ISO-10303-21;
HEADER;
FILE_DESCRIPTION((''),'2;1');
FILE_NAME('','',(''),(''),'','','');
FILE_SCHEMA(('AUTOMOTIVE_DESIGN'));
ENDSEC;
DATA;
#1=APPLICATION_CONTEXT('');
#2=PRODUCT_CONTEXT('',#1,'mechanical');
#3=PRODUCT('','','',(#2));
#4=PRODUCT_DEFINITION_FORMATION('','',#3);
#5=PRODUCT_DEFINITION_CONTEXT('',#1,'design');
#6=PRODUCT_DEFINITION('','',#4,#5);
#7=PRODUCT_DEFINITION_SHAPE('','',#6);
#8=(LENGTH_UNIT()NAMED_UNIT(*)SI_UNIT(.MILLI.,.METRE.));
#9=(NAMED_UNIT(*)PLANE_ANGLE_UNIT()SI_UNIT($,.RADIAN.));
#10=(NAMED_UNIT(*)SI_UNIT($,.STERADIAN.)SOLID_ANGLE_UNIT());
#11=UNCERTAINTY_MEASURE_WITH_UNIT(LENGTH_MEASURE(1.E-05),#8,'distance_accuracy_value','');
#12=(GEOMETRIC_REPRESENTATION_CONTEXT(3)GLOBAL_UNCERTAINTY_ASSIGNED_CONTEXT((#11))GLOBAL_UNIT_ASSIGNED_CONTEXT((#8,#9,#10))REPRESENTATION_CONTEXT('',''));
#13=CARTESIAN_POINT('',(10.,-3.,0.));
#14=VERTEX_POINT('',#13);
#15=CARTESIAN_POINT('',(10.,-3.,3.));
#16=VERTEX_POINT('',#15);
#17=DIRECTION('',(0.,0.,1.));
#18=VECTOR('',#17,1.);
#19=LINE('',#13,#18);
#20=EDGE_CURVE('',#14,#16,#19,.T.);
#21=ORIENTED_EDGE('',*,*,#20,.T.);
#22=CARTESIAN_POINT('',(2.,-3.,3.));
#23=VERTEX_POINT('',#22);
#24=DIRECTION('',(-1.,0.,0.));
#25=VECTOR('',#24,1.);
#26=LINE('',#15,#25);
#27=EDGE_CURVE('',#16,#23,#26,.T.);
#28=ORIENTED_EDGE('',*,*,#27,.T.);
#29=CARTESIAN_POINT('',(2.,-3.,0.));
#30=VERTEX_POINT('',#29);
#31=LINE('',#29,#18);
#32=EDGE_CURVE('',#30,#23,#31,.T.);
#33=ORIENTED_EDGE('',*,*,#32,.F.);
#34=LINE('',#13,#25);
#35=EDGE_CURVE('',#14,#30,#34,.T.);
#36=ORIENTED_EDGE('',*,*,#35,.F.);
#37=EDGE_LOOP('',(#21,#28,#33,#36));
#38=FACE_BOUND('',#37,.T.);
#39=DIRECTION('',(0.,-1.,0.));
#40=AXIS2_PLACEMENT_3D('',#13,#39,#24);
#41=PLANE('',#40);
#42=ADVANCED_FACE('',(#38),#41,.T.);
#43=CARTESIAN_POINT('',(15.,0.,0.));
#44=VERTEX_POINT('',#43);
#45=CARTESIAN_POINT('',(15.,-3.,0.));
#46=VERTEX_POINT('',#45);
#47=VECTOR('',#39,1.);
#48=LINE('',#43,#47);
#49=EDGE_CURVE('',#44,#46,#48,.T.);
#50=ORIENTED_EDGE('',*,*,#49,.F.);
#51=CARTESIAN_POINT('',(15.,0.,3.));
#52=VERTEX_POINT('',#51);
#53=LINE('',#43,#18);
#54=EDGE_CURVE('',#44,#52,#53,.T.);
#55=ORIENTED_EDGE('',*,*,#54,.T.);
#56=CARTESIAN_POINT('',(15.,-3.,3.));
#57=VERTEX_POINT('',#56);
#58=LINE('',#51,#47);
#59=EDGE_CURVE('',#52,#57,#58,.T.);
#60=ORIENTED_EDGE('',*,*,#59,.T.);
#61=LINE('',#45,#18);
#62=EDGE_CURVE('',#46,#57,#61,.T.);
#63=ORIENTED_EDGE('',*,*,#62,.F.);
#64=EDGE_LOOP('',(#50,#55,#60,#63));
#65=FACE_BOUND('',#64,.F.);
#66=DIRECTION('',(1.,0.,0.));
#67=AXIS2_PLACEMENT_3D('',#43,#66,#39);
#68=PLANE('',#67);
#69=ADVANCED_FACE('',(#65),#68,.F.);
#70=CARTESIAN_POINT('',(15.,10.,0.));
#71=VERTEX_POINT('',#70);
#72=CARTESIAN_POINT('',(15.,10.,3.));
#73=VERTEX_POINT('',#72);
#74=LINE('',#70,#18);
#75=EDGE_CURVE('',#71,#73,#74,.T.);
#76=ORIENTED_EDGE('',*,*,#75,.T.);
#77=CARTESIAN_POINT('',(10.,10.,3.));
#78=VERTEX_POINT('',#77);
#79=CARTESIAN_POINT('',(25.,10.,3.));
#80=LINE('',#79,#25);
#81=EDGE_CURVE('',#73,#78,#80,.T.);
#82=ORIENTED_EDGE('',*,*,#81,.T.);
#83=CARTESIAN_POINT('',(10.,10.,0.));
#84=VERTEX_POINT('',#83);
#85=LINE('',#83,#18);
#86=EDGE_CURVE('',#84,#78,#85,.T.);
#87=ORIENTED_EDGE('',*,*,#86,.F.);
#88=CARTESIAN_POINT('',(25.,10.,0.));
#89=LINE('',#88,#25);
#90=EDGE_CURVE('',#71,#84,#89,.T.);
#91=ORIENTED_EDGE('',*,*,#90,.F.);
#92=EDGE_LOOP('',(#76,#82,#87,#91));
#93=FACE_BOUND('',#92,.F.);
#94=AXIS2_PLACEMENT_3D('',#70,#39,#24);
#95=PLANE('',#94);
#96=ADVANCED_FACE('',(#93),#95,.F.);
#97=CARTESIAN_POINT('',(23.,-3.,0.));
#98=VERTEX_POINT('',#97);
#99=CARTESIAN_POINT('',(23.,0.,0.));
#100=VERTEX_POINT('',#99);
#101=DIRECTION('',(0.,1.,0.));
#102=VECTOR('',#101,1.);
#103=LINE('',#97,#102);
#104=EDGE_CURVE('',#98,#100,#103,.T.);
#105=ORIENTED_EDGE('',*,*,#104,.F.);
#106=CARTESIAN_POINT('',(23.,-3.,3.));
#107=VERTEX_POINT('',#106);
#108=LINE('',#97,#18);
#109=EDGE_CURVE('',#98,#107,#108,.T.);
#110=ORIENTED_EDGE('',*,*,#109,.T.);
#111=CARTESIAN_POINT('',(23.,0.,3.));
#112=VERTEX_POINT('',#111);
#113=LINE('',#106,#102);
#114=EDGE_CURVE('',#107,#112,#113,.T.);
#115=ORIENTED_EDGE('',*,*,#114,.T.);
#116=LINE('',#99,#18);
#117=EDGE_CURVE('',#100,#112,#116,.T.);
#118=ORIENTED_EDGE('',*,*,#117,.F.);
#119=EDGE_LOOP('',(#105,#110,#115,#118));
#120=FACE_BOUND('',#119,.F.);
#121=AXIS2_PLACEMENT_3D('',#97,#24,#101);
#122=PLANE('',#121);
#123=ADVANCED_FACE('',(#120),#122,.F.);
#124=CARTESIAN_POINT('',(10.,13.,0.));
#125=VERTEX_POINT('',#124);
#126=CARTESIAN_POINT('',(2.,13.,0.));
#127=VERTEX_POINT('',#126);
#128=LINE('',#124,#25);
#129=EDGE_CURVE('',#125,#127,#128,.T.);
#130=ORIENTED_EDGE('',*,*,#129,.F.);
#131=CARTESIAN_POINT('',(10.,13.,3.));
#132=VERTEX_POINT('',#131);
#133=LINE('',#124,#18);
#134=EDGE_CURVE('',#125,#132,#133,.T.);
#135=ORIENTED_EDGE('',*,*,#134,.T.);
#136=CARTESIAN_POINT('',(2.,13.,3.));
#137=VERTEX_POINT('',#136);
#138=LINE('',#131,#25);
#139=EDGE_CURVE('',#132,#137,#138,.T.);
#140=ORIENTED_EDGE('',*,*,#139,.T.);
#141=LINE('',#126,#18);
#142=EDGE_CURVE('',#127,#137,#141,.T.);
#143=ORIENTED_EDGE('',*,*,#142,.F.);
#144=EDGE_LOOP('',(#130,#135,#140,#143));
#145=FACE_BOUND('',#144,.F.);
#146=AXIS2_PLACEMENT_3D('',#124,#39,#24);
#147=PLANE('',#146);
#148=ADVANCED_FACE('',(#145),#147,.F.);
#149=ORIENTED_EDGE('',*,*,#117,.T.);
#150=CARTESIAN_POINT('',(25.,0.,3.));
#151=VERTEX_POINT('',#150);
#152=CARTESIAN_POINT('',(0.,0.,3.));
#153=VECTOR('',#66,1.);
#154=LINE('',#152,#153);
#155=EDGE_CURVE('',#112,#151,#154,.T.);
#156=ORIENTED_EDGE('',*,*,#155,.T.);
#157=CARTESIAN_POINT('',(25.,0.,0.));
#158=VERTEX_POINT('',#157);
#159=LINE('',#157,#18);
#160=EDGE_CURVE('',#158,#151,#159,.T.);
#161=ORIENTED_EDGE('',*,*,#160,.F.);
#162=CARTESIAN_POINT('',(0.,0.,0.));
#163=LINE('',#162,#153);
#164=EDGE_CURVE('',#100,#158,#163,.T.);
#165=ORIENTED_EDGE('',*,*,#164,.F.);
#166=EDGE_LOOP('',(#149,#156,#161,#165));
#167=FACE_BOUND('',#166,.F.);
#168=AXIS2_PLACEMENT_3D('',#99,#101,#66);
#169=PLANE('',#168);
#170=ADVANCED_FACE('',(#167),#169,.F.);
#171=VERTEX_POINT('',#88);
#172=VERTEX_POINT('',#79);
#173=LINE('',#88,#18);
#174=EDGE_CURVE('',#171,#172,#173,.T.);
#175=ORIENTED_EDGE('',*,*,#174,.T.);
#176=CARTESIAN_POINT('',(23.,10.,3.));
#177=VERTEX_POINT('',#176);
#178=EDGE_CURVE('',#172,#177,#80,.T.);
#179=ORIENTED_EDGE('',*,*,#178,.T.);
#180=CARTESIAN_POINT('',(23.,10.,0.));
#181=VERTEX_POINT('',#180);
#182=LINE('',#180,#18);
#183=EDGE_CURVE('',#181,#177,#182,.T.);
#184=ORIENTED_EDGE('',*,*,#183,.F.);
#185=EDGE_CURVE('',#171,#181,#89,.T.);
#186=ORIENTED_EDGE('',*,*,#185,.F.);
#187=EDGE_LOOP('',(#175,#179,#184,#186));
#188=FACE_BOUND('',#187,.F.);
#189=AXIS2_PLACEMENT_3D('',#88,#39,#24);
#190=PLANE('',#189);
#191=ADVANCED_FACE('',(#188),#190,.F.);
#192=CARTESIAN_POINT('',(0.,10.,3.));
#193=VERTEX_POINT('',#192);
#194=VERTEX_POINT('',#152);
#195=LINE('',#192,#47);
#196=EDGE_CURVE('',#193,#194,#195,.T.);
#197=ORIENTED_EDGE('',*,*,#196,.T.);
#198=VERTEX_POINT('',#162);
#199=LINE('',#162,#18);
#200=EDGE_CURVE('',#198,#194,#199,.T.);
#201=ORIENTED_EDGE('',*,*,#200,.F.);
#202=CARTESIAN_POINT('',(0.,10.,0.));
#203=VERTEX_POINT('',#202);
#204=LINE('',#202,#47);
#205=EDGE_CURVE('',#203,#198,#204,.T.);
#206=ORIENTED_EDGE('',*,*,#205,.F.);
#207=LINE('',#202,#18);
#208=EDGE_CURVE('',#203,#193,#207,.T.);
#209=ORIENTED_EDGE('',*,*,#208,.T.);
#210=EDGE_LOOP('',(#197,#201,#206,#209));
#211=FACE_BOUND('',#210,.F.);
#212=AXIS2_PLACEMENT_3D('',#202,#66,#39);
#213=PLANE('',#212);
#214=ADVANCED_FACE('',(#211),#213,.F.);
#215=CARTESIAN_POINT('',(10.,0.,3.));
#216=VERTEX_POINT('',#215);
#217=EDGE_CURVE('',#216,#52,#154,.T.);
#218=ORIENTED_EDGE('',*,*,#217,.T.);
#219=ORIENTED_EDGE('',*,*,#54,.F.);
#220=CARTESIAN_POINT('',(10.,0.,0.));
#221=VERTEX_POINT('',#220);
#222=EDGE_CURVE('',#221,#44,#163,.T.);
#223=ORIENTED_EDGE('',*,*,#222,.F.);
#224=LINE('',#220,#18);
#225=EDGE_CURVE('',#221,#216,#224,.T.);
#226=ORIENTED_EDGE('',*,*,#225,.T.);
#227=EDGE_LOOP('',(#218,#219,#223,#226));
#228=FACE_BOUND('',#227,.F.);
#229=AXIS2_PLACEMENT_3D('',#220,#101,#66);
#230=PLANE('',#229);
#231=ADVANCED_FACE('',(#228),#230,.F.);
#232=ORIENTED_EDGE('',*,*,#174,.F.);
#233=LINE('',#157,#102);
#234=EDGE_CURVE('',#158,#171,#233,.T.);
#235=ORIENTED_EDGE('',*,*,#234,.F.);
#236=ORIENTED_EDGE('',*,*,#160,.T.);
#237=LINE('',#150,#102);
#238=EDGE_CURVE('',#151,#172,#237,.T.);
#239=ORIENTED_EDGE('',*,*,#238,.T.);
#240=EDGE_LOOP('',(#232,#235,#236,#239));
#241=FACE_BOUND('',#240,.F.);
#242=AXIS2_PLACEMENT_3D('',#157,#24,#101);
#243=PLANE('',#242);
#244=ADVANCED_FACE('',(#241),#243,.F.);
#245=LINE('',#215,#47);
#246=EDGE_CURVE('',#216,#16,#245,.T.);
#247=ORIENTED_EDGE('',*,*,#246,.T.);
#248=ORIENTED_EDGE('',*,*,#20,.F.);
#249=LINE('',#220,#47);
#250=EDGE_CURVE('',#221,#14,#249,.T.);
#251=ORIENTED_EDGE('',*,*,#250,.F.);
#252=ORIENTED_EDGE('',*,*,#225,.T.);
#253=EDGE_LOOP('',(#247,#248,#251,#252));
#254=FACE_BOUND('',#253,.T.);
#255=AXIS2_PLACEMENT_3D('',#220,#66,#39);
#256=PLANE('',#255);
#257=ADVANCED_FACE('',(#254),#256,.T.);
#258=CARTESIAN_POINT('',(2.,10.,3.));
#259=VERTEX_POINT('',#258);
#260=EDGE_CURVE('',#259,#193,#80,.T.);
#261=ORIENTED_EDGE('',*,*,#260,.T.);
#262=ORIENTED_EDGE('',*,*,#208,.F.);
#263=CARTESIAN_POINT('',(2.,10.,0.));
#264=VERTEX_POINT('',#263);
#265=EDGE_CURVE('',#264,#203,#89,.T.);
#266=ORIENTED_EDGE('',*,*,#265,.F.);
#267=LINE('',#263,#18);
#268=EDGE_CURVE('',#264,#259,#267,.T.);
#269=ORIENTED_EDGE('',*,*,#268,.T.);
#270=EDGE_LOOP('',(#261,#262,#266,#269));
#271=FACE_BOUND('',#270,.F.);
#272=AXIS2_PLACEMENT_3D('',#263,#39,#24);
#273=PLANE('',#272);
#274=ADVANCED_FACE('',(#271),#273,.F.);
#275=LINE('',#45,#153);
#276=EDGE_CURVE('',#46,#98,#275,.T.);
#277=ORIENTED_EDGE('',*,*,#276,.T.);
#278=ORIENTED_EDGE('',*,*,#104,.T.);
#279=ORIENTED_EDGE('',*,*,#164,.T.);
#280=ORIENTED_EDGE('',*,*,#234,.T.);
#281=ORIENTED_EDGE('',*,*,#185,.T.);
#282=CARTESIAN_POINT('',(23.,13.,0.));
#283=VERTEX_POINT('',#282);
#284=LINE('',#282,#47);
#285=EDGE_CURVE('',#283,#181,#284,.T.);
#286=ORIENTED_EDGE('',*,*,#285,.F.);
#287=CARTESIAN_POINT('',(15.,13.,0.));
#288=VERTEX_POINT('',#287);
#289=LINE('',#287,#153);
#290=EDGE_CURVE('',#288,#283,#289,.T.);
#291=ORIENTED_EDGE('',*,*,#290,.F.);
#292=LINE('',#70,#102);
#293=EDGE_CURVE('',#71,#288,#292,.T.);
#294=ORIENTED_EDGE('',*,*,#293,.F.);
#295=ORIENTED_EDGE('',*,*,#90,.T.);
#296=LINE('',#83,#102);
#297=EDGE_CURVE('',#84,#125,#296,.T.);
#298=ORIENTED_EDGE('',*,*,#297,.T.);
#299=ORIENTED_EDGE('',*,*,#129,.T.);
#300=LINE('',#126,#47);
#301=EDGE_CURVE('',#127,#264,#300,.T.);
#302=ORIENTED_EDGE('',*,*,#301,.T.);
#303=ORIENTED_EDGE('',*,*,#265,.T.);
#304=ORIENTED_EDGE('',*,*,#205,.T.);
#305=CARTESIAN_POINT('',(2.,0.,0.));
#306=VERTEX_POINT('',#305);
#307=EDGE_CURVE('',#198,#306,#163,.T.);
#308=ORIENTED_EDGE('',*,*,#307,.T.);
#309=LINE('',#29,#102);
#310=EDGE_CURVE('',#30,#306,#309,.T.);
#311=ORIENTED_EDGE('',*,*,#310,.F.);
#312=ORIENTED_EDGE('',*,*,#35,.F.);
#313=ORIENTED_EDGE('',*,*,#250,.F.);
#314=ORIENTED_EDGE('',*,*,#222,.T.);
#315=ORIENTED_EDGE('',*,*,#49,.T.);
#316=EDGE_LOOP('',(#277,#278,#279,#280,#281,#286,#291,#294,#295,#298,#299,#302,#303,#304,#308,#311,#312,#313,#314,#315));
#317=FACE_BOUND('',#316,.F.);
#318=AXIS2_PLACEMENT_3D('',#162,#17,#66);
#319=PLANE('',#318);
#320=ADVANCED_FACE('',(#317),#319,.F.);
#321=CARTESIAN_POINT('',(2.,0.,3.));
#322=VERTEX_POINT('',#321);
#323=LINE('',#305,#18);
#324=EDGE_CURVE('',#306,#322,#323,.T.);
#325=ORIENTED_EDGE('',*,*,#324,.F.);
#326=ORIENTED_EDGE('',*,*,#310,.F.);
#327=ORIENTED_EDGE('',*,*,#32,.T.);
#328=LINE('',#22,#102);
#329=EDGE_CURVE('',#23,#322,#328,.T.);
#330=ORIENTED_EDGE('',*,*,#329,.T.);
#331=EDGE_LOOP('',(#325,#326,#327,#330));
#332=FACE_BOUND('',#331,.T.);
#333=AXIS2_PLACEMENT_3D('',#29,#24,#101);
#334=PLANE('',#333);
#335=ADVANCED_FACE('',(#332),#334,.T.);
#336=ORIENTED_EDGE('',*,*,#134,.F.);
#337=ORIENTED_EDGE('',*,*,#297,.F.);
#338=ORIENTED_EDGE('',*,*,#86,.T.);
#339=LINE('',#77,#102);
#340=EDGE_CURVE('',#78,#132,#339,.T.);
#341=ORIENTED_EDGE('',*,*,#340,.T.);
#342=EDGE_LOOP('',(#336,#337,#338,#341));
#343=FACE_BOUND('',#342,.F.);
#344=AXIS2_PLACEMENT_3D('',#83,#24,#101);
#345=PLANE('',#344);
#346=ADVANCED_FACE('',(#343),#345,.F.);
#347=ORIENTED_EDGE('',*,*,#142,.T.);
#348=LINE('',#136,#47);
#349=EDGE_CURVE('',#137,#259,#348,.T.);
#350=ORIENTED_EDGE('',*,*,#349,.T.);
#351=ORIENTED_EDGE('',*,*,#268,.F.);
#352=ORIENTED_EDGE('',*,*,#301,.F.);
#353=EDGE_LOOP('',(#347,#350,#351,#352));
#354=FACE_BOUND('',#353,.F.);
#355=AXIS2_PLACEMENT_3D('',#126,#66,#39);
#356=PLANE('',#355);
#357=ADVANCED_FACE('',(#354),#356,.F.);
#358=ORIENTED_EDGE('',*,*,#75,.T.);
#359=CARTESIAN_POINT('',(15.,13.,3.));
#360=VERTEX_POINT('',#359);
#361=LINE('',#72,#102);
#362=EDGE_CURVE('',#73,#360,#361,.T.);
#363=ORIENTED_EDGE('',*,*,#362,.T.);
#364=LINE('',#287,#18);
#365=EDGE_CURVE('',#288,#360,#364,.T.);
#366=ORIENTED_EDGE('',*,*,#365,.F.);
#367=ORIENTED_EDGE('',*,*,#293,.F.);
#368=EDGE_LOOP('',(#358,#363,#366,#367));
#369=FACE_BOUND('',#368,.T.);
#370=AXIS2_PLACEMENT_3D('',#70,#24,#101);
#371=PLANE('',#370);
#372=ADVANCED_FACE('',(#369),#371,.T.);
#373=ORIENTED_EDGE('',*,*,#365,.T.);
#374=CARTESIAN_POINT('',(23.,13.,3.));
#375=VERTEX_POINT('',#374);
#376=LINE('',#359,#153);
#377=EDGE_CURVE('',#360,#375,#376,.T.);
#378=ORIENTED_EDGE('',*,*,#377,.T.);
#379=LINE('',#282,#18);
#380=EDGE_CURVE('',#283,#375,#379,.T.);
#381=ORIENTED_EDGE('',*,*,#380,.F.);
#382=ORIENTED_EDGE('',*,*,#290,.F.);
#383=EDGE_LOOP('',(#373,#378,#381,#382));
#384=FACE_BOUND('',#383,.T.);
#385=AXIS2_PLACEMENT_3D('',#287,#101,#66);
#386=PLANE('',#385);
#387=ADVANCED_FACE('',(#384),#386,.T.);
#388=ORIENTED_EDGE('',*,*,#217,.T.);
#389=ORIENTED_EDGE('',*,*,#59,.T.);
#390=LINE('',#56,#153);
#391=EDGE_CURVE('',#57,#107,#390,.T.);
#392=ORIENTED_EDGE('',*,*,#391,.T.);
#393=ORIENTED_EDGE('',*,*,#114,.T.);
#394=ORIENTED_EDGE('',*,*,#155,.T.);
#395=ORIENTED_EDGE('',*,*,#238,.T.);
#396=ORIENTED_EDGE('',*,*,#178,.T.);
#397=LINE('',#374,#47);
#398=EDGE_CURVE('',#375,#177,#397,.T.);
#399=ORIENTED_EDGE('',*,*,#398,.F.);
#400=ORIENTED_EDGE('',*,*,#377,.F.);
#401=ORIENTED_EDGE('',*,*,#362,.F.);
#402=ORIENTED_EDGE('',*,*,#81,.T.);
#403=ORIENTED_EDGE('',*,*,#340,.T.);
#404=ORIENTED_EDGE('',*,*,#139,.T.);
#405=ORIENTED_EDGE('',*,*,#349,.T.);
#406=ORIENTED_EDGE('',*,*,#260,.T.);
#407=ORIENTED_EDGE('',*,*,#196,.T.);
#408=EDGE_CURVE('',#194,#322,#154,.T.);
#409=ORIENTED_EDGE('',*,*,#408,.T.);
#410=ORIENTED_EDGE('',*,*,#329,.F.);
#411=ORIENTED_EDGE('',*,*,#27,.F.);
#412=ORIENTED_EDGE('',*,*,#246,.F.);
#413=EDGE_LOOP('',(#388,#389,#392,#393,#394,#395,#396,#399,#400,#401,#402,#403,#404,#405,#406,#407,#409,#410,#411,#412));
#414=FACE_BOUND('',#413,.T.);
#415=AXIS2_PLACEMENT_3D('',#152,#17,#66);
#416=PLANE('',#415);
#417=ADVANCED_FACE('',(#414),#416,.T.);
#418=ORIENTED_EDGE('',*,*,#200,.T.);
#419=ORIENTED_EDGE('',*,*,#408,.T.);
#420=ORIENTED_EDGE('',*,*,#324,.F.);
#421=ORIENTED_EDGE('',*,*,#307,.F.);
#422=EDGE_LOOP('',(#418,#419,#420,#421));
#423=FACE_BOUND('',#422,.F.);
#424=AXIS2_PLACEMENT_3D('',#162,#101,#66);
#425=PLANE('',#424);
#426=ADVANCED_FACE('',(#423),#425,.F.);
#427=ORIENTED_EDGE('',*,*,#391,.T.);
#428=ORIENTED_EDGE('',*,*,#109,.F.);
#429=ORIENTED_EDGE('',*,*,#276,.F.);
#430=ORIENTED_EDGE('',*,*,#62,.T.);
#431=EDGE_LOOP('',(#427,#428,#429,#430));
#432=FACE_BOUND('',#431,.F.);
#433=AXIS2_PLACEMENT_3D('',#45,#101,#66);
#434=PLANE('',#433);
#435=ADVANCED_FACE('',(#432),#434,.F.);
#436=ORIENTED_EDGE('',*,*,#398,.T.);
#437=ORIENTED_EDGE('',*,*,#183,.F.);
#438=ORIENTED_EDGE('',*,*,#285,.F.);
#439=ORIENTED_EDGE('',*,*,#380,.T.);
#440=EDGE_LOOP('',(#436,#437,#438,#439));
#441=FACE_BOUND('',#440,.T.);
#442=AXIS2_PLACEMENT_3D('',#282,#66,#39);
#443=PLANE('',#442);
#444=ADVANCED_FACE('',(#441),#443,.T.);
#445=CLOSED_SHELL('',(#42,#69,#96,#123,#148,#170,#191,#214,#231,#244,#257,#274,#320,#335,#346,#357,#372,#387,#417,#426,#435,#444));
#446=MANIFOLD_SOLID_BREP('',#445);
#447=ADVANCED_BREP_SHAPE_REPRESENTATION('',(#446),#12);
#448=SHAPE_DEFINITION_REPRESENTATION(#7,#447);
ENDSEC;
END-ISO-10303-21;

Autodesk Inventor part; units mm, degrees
ref_plane "YZ Plane" through (0, 0, 0) normal (1, 0, 0) x (0, 1, 0)
ref_plane "XZ Plane" through (0, 0, 0) normal (0, 1, 0) x (-1, 0, 0)
ref_plane "XY Plane" through (0, 0, 0) normal (0, 0, 1) x (1, 0, 0)
sketch "Sketch1" plane through (0, 0, 0) normal (0, 0, 1) x (1, 0, 0)
  line L0 (0, 0) -> (25, 0)
  line L1 (25, 0) -> (25, 10)
  line L2 (25, 10) -> (0, 10)
  line L3 (0, 10) -> (0, 0)
  line L4 (2, 0) -> (10, 0)
  line L5 (10, 0) -> (10, -3)
  line L6 (10, -3) -> (2, -3)
  line L7 (2, -3) -> (2, 0)
  line L8 (12.5, 0) -> (12.5, 10) construction
  line L9 (0, 5) -> (25, 5) construction
  line L10 (15, 0) -> (15, -3)
  line L11 (15, -3) -> (23, -3)
  line L12 (23, -3) -> (23, 0)
  line L13 (10, 10) -> (10, 13)
  line L14 (10, 13) -> (2, 13)
  line L15 (2, 13) -> (2, 10)
  line L16 (15, 13) -> (23, 13)
  line L17 (15, 10) -> (15, 13)
  line L18 (23, 13) -> (23, 10)
  point P0 (23, 0)
  point P1 (15, 0)
  point P2 (10, 0)
  point P3 (15, 10)
  point P4 (23, 10)
  dimension "d0" = 25
  dimension "d1" = 10
  dimension "d5" = 3
  dimension "d6" = 2
  dimension "d7" = 8
extrude "Extrusion1" add sketch "Sketch1" along normal blind 3
properties part number "protector hal"
